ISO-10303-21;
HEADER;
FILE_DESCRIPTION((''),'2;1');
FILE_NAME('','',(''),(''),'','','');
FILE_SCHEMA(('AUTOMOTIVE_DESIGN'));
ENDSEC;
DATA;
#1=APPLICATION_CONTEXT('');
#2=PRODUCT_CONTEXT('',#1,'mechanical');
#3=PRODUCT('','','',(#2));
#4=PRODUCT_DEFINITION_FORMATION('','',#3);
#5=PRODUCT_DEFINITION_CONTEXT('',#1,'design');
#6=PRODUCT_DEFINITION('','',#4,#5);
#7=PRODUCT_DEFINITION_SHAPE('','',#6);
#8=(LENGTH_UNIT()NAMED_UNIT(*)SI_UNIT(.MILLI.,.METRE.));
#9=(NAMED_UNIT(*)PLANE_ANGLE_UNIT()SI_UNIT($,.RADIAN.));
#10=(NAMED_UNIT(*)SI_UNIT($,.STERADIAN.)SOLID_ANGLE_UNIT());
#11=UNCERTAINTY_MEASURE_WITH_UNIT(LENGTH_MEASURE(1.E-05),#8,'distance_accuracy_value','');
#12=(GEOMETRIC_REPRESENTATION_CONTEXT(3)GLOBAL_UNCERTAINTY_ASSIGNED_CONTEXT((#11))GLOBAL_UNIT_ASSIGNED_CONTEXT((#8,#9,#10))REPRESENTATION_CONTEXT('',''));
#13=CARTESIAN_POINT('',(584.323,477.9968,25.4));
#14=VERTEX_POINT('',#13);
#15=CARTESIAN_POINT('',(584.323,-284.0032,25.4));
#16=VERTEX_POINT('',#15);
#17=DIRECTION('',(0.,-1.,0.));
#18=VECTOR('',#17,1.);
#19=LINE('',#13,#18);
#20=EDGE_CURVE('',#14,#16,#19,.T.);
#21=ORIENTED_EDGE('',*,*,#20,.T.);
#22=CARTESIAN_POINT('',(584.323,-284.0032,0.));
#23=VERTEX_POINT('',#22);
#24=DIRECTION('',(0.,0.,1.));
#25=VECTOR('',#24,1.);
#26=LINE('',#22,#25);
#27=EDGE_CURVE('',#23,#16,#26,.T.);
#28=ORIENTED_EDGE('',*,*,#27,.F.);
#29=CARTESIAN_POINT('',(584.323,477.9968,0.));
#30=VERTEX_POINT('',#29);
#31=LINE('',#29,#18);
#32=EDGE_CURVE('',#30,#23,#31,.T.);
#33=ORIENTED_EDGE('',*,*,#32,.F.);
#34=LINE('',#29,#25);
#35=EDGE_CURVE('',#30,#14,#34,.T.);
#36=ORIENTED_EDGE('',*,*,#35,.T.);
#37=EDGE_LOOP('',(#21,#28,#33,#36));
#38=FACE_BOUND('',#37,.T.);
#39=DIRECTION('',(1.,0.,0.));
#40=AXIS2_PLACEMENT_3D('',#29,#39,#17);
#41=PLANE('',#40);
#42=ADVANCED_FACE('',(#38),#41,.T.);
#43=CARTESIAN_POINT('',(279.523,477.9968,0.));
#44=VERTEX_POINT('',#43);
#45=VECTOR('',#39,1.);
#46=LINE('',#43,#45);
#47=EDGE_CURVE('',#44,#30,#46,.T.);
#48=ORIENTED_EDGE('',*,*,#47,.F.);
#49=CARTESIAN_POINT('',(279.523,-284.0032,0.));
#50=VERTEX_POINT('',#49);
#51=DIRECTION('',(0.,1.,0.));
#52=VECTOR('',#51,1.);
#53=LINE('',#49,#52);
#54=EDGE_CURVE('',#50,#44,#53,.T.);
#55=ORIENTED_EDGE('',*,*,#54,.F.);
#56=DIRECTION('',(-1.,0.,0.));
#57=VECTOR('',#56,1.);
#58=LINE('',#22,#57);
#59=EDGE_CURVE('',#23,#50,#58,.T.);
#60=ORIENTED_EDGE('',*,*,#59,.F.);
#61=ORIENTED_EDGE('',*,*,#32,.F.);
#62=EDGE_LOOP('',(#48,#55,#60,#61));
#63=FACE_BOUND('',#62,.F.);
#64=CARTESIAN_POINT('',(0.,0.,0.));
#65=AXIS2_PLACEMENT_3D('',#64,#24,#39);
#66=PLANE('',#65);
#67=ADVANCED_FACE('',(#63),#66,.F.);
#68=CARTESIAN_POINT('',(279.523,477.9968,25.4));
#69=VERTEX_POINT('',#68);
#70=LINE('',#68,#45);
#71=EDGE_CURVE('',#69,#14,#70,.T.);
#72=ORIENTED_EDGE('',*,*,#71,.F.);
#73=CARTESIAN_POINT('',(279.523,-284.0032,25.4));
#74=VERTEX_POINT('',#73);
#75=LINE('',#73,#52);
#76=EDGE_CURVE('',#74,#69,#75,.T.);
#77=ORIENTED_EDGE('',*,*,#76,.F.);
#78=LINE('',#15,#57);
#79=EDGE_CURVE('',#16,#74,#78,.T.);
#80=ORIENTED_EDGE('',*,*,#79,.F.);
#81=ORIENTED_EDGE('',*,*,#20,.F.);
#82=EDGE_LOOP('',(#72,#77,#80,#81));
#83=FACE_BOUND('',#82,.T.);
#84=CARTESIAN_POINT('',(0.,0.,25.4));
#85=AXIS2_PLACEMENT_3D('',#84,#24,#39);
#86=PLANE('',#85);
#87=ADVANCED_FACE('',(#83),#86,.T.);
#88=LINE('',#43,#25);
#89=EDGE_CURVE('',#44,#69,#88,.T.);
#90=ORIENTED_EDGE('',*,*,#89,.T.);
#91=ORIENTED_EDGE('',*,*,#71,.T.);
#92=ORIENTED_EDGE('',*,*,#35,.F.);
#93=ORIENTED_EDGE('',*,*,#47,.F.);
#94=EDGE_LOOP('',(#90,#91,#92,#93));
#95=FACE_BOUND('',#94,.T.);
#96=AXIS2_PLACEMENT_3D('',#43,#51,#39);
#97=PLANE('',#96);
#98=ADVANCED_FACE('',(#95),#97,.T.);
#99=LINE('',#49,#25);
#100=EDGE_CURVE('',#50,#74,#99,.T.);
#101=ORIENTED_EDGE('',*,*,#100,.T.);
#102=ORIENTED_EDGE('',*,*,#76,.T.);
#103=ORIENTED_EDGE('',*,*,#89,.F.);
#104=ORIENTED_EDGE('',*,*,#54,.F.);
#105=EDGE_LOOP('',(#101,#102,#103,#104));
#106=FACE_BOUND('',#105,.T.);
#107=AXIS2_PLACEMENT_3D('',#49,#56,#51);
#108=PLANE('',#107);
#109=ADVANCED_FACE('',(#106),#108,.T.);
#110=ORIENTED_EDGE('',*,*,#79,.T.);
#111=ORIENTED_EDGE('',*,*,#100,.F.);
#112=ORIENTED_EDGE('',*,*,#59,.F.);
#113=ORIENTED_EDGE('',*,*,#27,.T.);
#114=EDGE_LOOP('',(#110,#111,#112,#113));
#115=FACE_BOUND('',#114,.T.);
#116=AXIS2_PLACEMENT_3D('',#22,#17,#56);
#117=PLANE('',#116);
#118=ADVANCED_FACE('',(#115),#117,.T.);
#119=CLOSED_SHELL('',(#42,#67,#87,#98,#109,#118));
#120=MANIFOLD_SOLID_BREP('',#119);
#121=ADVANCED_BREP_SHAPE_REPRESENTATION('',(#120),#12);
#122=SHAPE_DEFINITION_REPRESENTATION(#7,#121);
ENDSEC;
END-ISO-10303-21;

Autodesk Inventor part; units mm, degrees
ref_plane "YZ Plane" through (0, 0, 0) normal (1, 0, 0) x (0, 1, 0)
ref_plane "XZ Plane" through (0, 0, 0) normal (0, 1, 0) x (-1, 0, 0)
ref_plane "XY Plane" through (0, 0, 0) normal (0, 0, 1) x (1, 0, 0)
sketch "Sketch1" plane through (0, 0, 0) normal (0, 0, 1) x (1, 0, 0)
  line L0 (279.523, 477.9968) -> (584.323, 477.9968)
  line L1 (584.323, 477.9968) -> (584.323, -284.0032)
  line L2 (584.323, -284.0032) -> (279.523, -284.0032)
  line L3 (279.523, -284.0032) -> (279.523, 477.9968)
  point P0 (0, 0)
  dimension "d0" = 304.8
  dimension "d1" = 762
extrude "Extrusion1" add sketch "Sketch1" along normal blind 25.4
properties part number "RobotStilts"
